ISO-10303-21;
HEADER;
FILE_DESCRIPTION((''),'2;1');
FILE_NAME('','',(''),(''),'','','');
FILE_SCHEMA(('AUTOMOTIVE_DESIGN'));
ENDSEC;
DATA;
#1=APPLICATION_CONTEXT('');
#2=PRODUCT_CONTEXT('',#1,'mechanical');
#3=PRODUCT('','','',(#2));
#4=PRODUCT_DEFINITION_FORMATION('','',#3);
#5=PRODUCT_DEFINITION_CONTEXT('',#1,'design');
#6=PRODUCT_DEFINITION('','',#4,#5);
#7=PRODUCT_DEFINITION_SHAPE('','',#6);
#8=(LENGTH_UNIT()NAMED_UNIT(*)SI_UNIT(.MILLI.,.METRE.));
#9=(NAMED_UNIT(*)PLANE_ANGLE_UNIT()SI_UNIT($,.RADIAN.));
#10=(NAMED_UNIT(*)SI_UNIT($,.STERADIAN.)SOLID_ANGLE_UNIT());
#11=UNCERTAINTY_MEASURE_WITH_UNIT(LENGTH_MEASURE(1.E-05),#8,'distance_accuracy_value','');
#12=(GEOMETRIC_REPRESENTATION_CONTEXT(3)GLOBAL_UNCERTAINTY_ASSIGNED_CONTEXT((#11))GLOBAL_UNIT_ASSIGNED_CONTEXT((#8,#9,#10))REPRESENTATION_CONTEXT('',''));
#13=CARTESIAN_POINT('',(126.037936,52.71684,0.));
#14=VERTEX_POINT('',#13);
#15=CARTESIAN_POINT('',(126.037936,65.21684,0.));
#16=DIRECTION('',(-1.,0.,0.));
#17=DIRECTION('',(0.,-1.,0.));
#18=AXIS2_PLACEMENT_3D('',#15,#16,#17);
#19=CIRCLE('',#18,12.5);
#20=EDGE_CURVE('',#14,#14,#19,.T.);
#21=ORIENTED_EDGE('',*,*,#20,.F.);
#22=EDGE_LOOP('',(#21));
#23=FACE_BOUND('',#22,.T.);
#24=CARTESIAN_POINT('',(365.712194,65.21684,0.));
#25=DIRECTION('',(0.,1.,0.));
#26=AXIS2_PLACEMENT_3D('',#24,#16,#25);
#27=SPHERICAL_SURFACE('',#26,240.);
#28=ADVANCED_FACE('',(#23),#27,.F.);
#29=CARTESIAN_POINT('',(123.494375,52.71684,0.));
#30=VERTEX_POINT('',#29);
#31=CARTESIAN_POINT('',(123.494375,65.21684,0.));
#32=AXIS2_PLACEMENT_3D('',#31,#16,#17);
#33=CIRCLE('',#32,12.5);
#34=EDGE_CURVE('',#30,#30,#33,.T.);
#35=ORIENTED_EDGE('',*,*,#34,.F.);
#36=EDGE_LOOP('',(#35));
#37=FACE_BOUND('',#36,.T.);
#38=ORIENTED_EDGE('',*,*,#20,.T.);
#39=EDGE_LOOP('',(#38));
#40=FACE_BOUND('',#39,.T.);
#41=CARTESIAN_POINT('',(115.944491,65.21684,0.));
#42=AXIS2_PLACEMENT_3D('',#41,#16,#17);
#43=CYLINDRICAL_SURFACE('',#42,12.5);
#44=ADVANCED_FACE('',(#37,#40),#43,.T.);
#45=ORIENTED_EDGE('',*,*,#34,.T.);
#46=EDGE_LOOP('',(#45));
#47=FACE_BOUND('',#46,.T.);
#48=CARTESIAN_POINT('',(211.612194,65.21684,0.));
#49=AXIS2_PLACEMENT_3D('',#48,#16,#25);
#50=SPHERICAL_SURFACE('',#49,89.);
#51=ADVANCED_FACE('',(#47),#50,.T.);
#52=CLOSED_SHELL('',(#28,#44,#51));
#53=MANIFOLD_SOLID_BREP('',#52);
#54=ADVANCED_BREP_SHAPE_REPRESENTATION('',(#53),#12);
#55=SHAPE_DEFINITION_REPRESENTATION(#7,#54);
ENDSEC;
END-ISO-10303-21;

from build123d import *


with BuildPart() as part:
    # 草图1 → 旋转1 (revolve)
    with BuildSketch(Plane.XY):
        with BuildLine():
            Line((123.494374842, 77.716840471), (126.03793559, 77.716840471))
            ThreePointArc((126.03793559, 77.716840471), (125.793642992, 71.468962266), (125.712193698, 65.216840471))
            Line((125.712193698, 65.216840471), (122.612193698, 65.216840471))
            ThreePointArc((122.612193698, 65.216840471), (122.833012923, 71.482386009), (123.494374842, 77.716840471))
        make_face()
    revolve(axis=Axis((115.944491298, 65.216840471, 0), (1, 0, 0)))


solid = part.part
